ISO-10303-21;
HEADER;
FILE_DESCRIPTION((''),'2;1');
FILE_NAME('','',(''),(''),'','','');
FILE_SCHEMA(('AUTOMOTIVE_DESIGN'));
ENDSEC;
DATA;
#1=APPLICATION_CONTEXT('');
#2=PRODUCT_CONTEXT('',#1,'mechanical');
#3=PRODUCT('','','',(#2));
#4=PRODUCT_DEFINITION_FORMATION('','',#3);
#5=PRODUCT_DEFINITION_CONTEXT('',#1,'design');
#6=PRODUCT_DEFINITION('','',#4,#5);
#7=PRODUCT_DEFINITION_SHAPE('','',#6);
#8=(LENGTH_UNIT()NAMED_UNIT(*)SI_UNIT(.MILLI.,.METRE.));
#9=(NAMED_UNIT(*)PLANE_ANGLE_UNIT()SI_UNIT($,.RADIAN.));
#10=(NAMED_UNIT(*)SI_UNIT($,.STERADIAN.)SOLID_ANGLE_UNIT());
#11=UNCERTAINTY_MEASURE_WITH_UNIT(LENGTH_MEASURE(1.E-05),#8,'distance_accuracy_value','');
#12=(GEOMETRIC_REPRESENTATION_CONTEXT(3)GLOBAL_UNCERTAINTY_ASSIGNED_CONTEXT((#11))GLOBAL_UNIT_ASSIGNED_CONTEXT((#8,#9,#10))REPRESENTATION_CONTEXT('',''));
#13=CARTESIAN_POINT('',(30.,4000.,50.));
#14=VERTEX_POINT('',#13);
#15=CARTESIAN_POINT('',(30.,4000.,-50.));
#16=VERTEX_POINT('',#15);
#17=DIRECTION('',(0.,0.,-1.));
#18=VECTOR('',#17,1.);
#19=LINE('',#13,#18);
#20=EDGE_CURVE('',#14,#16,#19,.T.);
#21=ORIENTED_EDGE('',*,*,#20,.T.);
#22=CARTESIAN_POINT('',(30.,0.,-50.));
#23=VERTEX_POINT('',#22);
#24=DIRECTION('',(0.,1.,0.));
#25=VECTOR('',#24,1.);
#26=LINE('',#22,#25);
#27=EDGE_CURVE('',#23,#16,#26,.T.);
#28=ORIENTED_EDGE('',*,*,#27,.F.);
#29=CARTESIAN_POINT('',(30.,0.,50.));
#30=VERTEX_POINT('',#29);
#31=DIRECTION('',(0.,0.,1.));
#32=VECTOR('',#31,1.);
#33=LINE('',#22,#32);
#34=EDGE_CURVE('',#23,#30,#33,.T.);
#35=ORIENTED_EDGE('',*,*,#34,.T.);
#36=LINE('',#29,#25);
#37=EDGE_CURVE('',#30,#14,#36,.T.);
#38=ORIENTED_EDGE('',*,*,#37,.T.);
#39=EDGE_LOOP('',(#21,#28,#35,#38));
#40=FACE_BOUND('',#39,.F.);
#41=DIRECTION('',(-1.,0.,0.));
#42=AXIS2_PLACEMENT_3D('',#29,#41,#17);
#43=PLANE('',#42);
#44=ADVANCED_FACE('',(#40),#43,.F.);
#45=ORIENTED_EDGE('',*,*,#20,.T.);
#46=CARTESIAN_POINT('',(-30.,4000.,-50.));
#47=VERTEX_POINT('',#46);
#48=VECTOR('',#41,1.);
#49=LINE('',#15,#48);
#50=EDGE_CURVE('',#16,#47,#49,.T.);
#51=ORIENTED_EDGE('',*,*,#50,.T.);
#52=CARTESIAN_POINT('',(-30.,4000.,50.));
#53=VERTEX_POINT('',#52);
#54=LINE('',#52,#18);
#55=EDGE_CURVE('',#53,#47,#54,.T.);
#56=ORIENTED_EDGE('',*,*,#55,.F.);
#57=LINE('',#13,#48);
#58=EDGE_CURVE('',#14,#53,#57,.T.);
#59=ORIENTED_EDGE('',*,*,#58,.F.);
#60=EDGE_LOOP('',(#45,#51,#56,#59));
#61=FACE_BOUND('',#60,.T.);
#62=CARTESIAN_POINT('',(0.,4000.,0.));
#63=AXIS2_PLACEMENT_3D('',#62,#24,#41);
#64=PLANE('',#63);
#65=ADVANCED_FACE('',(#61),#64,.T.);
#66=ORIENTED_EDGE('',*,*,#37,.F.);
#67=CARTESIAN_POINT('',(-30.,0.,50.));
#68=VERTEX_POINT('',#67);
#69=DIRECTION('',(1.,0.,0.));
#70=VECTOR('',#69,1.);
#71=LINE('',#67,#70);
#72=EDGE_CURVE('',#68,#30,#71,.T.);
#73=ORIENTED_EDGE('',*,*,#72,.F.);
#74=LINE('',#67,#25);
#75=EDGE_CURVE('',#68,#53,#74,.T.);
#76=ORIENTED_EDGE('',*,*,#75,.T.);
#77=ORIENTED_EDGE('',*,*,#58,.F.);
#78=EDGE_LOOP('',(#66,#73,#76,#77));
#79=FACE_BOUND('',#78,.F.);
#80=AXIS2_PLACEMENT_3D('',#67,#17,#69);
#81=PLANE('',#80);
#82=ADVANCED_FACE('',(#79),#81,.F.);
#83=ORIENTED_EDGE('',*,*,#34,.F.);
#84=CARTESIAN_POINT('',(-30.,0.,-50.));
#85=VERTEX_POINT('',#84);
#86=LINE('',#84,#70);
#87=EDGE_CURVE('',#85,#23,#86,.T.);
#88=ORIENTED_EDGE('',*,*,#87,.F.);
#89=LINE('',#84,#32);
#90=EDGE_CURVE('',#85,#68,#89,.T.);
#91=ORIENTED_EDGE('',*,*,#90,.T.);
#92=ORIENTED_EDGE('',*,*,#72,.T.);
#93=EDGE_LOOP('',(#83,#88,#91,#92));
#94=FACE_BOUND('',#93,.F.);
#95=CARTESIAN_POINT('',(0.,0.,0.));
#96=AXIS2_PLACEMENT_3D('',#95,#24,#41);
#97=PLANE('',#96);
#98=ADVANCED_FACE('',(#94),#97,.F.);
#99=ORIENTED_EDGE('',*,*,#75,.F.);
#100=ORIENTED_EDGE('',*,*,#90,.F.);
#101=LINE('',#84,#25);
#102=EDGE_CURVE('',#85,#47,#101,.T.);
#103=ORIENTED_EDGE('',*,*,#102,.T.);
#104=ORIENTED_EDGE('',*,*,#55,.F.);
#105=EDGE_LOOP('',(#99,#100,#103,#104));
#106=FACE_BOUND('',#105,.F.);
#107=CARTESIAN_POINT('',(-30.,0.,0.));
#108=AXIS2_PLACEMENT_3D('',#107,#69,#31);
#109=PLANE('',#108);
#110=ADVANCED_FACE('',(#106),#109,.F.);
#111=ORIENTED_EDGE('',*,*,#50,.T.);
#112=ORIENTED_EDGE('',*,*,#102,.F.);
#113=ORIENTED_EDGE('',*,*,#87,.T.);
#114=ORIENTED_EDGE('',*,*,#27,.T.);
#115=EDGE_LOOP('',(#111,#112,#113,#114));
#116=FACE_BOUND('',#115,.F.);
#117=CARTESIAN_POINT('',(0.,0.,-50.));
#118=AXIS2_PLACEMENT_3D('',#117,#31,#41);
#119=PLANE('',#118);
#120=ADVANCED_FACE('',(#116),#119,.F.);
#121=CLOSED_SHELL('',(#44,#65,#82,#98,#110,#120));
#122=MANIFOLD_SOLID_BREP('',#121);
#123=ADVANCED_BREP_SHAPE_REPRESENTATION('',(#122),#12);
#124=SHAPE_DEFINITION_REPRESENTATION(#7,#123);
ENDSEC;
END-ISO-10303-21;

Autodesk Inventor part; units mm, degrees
ref_plane "YZ Plane" through (0, 0, 0) normal (1, 0, 0) x (0, 1, 0)
ref_plane "XZ Plane" through (0, 0, 0) normal (0, 1, 0) x (-1, 0, 0)
ref_plane "XY Plane" through (0, 0, 0) normal (0, 0, 1) x (1, 0, 0)
sketch "Skizze2" plane through (0, 0, 0) normal (0, 1, 0) x (-1, 0, 0)
  line L0 (30, 50) -> (-30, 50)
  line L1 (-30, 50) -> (-30, -50)
  line L2 (-30, -50) -> (30, -50)
  line L3 (30, -50) -> (30, 50)
  line L4 (0, -70) -> (0, 70) projected
  line L5 (42, 0) -> (-42, 0) projected
  dimension "d2" = 60
  dimension "d3" = 100
extrude "Extrusion1" add sketch "Skizze2" along normal blind 4000
properties part number "Bodenbalken"
